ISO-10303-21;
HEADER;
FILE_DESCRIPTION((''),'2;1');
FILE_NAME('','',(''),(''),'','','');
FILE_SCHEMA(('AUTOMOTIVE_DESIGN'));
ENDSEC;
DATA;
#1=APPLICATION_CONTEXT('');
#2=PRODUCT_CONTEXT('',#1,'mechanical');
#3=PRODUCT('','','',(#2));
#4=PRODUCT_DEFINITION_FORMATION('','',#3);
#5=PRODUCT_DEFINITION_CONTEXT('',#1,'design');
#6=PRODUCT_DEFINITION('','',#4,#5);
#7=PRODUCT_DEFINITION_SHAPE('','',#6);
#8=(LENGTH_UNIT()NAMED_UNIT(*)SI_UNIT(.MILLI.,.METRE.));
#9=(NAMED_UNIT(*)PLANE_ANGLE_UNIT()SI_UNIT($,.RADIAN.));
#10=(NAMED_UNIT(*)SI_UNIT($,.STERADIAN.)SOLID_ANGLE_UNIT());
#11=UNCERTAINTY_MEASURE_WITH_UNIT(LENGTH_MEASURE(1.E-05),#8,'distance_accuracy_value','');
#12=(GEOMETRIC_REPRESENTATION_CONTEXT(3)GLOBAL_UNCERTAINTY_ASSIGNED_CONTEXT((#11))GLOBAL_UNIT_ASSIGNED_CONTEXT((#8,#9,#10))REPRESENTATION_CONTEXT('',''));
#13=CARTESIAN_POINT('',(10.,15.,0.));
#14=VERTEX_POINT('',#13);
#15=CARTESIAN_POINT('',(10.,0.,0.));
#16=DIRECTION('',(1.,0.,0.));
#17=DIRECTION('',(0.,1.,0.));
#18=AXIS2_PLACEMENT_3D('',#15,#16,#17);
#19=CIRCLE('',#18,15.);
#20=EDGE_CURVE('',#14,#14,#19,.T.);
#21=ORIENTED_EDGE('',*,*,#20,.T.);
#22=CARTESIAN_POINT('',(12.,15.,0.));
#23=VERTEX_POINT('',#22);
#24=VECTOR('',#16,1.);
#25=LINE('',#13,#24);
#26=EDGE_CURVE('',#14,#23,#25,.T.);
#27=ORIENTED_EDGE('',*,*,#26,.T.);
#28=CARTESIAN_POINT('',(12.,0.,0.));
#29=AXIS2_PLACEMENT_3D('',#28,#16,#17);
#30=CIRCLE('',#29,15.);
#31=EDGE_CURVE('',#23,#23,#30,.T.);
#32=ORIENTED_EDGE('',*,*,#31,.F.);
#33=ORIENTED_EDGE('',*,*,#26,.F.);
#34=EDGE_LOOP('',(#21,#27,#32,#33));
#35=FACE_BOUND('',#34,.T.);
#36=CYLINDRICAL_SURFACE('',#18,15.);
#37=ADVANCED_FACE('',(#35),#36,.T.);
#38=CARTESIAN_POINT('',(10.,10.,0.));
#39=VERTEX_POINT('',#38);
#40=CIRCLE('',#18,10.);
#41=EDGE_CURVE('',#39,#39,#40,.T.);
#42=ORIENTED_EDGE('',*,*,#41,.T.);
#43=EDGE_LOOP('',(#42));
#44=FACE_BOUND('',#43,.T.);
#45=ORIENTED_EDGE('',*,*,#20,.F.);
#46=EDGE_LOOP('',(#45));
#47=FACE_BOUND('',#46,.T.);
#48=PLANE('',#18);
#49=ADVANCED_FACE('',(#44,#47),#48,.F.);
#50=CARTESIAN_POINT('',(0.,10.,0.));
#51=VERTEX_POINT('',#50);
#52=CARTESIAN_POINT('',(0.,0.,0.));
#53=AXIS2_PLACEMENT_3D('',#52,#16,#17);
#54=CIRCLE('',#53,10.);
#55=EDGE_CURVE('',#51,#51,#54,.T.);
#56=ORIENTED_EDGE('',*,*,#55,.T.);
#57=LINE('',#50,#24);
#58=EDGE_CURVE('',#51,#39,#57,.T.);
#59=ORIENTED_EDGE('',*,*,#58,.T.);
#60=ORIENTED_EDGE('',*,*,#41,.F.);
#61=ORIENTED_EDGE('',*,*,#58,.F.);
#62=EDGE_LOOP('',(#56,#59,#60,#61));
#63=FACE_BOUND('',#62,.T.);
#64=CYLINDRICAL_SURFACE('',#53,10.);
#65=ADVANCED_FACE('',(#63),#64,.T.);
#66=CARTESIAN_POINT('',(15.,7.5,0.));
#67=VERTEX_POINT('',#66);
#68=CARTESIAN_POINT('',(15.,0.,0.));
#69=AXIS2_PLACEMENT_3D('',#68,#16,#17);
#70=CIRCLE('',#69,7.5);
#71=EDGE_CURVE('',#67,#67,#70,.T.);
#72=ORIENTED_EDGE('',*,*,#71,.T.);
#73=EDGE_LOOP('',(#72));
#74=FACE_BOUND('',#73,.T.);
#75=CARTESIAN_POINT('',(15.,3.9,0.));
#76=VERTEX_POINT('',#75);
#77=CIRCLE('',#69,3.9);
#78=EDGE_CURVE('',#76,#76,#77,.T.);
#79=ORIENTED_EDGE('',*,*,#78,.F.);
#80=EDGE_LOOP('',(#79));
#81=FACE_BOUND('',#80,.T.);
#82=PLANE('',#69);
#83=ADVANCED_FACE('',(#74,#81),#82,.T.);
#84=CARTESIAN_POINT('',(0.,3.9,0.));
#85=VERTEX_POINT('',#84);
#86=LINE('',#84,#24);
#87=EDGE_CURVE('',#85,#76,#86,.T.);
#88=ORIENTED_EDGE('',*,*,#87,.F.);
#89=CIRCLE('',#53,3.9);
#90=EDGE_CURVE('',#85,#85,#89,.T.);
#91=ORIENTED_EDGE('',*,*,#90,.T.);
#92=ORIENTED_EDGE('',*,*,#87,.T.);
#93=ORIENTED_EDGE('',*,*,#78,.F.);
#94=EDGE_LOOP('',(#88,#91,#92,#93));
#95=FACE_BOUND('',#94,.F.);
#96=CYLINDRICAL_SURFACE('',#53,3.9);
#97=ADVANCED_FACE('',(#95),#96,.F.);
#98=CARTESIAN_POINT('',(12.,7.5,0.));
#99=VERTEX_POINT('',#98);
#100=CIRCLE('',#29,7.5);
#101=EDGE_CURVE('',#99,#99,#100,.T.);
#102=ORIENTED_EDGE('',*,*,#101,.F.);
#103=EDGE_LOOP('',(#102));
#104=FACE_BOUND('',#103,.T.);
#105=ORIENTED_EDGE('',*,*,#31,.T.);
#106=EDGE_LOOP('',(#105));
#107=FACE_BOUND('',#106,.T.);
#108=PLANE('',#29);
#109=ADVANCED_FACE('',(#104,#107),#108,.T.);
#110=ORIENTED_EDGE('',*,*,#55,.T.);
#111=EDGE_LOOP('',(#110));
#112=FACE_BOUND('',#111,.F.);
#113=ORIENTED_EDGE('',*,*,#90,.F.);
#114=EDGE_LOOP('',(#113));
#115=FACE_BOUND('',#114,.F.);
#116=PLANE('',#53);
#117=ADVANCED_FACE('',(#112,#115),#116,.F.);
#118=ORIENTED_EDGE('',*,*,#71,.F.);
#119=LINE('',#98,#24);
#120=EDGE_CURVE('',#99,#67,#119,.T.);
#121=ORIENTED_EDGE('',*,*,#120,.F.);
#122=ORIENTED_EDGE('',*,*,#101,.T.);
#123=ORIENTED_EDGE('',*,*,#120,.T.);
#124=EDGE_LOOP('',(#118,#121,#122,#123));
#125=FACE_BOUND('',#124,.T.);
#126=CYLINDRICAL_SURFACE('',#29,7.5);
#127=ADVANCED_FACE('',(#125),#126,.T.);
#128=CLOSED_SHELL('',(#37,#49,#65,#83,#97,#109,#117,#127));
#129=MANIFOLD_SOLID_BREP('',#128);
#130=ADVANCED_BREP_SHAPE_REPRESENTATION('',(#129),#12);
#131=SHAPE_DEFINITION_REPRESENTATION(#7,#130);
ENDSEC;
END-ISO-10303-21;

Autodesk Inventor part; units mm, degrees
ref_plane "YZ Plane" through (0, 0, 0) normal (1, 0, 0) x (0, 1, 0)
ref_plane "XZ Plane" through (0, 0, 0) normal (0, 1, 0) x (-1, 0, 0)
ref_plane "XY Plane" through (0, 0, 0) normal (0, 0, 1) x (1, 0, 0)
sketch "Sketch1" plane through (0, 0, 0) normal (0, 0, 1) x (1, 0, 0)
  line L0 (0, 10) -> (10, 10)
  line L1 (10, 10) -> (10, 15)
  line L2 (10, 15) -> (12, 15)
  line L3 (12, 15) -> (12, 7.5)
  line L4 (12, 7.5) -> (15, 7.5)
  line L5 (0, 0) -> (21.5925, 0)
  line L6 (0, 10) -> (0, 3.9)
  line L7 (0, 3.9) -> (15, 3.9)
  line L8 (15, 7.5) -> (15, 3.9)
  point P0 (12, 11.25)
  dimension "d0" = 20
  dimension "d1" = 7.8
  dimension "d3" = 30
  dimension "d4" = 15
  dimension "d6" = 10
  dimension "d7" = 2
  dimension "d10" = 3
revolve "Revolution1" add sketch "Sketch1" angle 360 about axis through (0, 0, 0) along (1, 0, 0)
properties part number "SensorSkiva Plugg"
